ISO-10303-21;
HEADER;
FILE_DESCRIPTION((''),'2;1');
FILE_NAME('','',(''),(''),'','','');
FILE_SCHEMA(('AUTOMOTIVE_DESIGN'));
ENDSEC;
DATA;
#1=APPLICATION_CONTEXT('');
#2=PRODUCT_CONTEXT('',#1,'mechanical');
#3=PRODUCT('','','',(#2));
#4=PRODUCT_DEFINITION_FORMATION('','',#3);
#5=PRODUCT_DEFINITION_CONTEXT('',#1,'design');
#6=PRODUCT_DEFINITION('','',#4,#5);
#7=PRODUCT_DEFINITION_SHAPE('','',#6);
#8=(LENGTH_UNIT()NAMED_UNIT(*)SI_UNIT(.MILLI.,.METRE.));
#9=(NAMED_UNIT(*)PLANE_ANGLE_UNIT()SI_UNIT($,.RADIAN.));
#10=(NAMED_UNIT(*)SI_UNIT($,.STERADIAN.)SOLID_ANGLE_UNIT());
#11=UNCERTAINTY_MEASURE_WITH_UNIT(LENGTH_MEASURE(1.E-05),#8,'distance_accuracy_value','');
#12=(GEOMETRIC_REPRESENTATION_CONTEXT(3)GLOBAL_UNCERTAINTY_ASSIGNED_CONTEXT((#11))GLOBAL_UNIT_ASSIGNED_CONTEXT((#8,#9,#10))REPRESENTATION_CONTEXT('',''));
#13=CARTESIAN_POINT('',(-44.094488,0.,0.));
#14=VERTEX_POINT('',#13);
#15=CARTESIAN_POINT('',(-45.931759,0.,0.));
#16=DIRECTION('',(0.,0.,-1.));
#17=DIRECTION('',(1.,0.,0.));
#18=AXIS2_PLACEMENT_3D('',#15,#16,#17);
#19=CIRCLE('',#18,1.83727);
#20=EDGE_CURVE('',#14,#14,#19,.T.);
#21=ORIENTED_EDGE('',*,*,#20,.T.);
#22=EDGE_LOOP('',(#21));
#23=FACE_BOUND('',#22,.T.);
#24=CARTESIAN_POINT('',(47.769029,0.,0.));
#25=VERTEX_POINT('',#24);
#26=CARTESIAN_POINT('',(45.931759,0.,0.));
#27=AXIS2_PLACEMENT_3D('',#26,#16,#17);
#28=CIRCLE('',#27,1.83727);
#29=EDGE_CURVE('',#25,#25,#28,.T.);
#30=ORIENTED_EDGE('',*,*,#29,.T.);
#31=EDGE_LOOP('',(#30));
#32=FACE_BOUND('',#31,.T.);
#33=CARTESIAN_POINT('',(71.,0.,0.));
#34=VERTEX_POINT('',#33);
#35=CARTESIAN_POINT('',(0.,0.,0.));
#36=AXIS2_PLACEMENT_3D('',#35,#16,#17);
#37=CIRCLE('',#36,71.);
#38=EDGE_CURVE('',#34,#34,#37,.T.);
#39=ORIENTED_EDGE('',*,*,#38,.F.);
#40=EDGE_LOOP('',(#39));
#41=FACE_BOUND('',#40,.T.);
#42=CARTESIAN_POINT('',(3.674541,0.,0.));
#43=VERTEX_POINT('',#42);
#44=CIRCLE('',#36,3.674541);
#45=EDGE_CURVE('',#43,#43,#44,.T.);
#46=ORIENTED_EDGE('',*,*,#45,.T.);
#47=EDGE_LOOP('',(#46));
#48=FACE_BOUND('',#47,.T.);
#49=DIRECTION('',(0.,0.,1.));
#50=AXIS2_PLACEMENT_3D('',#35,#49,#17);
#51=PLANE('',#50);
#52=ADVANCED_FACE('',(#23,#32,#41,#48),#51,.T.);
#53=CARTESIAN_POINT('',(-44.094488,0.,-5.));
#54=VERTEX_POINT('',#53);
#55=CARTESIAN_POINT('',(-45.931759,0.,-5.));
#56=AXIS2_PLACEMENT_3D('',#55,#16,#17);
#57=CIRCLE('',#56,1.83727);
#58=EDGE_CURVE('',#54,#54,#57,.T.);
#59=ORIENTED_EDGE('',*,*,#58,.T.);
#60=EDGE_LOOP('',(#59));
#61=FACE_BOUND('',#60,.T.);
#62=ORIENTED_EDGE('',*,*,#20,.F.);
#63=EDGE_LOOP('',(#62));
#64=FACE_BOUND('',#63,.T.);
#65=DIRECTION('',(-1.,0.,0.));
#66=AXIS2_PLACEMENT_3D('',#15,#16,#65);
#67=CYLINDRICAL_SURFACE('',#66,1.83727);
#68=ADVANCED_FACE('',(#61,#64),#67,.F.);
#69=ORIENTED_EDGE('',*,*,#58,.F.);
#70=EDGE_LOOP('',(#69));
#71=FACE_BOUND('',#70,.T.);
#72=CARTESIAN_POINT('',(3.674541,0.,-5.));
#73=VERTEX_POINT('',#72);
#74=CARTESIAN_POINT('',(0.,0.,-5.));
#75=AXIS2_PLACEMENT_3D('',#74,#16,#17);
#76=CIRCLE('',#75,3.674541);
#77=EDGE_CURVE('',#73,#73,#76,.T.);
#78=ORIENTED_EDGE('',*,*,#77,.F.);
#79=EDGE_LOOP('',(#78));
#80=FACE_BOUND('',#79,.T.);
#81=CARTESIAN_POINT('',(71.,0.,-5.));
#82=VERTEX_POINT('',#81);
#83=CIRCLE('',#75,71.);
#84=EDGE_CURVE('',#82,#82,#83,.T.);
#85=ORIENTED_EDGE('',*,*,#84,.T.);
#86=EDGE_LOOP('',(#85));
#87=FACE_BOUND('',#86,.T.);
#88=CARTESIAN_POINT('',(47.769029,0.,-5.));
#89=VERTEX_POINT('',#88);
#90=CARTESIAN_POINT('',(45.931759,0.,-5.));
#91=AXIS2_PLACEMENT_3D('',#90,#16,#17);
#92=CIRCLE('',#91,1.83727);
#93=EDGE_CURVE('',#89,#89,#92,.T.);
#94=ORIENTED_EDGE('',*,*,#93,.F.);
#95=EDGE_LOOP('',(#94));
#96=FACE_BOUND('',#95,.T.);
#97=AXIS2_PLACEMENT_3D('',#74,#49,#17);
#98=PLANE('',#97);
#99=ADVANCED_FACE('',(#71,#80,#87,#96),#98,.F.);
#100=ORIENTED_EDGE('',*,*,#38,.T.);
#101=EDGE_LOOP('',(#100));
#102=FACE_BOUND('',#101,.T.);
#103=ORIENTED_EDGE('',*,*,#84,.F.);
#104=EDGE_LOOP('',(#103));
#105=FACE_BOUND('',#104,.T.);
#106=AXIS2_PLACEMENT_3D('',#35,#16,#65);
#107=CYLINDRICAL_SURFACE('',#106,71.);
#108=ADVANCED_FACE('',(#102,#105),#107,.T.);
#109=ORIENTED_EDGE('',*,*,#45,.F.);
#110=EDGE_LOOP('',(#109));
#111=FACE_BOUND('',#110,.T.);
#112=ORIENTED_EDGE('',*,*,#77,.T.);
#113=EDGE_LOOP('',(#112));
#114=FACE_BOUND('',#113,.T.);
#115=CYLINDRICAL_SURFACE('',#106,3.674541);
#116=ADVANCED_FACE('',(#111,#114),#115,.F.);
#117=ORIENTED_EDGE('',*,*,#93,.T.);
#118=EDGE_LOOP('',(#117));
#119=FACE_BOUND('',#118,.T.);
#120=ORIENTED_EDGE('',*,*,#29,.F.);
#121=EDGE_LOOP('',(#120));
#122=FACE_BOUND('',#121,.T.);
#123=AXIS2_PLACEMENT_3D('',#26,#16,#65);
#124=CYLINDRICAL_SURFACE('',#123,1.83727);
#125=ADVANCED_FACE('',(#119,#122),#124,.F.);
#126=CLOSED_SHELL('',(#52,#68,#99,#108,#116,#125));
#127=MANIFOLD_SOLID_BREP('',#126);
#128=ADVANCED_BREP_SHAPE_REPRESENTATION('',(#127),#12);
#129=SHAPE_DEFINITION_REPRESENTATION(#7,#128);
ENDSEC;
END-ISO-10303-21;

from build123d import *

# Parameters (mm, degrees)
SKETCH1_R           = 71
SKETCH1_R_2         = 1.837270341
SKETCH1_R_3         = 3.674540682
BOSS_EXTRUDE1_DEPTH = 5


with BuildPart() as part:
    # Sketch1 → Boss-Extrude1 (new body)
    with BuildSketch(Plane(origin=(0, 0, -5), x_dir=(-1, 0, 0), z_dir=(0, 0, -1))):
        with Locations(Location((0, 0, 0), (0, 0, 180))):
            Circle(SKETCH1_R)
        with Locations(Location((45.93175853, 0, 0), (0, 0, 180))):
            Circle(SKETCH1_R_2, mode=Mode.SUBTRACT)
        with Locations(Location((-45.93175853, 0, 0), (0, 0, 180))):
            Circle(SKETCH1_R_2, mode=Mode.SUBTRACT)
        with Locations(Location((0, 0, 0), (0, 0, 180))):
            Circle(SKETCH1_R_3, mode=Mode.SUBTRACT)
    extrude(amount=-BOSS_EXTRUDE1_DEPTH)


solid = part.part
